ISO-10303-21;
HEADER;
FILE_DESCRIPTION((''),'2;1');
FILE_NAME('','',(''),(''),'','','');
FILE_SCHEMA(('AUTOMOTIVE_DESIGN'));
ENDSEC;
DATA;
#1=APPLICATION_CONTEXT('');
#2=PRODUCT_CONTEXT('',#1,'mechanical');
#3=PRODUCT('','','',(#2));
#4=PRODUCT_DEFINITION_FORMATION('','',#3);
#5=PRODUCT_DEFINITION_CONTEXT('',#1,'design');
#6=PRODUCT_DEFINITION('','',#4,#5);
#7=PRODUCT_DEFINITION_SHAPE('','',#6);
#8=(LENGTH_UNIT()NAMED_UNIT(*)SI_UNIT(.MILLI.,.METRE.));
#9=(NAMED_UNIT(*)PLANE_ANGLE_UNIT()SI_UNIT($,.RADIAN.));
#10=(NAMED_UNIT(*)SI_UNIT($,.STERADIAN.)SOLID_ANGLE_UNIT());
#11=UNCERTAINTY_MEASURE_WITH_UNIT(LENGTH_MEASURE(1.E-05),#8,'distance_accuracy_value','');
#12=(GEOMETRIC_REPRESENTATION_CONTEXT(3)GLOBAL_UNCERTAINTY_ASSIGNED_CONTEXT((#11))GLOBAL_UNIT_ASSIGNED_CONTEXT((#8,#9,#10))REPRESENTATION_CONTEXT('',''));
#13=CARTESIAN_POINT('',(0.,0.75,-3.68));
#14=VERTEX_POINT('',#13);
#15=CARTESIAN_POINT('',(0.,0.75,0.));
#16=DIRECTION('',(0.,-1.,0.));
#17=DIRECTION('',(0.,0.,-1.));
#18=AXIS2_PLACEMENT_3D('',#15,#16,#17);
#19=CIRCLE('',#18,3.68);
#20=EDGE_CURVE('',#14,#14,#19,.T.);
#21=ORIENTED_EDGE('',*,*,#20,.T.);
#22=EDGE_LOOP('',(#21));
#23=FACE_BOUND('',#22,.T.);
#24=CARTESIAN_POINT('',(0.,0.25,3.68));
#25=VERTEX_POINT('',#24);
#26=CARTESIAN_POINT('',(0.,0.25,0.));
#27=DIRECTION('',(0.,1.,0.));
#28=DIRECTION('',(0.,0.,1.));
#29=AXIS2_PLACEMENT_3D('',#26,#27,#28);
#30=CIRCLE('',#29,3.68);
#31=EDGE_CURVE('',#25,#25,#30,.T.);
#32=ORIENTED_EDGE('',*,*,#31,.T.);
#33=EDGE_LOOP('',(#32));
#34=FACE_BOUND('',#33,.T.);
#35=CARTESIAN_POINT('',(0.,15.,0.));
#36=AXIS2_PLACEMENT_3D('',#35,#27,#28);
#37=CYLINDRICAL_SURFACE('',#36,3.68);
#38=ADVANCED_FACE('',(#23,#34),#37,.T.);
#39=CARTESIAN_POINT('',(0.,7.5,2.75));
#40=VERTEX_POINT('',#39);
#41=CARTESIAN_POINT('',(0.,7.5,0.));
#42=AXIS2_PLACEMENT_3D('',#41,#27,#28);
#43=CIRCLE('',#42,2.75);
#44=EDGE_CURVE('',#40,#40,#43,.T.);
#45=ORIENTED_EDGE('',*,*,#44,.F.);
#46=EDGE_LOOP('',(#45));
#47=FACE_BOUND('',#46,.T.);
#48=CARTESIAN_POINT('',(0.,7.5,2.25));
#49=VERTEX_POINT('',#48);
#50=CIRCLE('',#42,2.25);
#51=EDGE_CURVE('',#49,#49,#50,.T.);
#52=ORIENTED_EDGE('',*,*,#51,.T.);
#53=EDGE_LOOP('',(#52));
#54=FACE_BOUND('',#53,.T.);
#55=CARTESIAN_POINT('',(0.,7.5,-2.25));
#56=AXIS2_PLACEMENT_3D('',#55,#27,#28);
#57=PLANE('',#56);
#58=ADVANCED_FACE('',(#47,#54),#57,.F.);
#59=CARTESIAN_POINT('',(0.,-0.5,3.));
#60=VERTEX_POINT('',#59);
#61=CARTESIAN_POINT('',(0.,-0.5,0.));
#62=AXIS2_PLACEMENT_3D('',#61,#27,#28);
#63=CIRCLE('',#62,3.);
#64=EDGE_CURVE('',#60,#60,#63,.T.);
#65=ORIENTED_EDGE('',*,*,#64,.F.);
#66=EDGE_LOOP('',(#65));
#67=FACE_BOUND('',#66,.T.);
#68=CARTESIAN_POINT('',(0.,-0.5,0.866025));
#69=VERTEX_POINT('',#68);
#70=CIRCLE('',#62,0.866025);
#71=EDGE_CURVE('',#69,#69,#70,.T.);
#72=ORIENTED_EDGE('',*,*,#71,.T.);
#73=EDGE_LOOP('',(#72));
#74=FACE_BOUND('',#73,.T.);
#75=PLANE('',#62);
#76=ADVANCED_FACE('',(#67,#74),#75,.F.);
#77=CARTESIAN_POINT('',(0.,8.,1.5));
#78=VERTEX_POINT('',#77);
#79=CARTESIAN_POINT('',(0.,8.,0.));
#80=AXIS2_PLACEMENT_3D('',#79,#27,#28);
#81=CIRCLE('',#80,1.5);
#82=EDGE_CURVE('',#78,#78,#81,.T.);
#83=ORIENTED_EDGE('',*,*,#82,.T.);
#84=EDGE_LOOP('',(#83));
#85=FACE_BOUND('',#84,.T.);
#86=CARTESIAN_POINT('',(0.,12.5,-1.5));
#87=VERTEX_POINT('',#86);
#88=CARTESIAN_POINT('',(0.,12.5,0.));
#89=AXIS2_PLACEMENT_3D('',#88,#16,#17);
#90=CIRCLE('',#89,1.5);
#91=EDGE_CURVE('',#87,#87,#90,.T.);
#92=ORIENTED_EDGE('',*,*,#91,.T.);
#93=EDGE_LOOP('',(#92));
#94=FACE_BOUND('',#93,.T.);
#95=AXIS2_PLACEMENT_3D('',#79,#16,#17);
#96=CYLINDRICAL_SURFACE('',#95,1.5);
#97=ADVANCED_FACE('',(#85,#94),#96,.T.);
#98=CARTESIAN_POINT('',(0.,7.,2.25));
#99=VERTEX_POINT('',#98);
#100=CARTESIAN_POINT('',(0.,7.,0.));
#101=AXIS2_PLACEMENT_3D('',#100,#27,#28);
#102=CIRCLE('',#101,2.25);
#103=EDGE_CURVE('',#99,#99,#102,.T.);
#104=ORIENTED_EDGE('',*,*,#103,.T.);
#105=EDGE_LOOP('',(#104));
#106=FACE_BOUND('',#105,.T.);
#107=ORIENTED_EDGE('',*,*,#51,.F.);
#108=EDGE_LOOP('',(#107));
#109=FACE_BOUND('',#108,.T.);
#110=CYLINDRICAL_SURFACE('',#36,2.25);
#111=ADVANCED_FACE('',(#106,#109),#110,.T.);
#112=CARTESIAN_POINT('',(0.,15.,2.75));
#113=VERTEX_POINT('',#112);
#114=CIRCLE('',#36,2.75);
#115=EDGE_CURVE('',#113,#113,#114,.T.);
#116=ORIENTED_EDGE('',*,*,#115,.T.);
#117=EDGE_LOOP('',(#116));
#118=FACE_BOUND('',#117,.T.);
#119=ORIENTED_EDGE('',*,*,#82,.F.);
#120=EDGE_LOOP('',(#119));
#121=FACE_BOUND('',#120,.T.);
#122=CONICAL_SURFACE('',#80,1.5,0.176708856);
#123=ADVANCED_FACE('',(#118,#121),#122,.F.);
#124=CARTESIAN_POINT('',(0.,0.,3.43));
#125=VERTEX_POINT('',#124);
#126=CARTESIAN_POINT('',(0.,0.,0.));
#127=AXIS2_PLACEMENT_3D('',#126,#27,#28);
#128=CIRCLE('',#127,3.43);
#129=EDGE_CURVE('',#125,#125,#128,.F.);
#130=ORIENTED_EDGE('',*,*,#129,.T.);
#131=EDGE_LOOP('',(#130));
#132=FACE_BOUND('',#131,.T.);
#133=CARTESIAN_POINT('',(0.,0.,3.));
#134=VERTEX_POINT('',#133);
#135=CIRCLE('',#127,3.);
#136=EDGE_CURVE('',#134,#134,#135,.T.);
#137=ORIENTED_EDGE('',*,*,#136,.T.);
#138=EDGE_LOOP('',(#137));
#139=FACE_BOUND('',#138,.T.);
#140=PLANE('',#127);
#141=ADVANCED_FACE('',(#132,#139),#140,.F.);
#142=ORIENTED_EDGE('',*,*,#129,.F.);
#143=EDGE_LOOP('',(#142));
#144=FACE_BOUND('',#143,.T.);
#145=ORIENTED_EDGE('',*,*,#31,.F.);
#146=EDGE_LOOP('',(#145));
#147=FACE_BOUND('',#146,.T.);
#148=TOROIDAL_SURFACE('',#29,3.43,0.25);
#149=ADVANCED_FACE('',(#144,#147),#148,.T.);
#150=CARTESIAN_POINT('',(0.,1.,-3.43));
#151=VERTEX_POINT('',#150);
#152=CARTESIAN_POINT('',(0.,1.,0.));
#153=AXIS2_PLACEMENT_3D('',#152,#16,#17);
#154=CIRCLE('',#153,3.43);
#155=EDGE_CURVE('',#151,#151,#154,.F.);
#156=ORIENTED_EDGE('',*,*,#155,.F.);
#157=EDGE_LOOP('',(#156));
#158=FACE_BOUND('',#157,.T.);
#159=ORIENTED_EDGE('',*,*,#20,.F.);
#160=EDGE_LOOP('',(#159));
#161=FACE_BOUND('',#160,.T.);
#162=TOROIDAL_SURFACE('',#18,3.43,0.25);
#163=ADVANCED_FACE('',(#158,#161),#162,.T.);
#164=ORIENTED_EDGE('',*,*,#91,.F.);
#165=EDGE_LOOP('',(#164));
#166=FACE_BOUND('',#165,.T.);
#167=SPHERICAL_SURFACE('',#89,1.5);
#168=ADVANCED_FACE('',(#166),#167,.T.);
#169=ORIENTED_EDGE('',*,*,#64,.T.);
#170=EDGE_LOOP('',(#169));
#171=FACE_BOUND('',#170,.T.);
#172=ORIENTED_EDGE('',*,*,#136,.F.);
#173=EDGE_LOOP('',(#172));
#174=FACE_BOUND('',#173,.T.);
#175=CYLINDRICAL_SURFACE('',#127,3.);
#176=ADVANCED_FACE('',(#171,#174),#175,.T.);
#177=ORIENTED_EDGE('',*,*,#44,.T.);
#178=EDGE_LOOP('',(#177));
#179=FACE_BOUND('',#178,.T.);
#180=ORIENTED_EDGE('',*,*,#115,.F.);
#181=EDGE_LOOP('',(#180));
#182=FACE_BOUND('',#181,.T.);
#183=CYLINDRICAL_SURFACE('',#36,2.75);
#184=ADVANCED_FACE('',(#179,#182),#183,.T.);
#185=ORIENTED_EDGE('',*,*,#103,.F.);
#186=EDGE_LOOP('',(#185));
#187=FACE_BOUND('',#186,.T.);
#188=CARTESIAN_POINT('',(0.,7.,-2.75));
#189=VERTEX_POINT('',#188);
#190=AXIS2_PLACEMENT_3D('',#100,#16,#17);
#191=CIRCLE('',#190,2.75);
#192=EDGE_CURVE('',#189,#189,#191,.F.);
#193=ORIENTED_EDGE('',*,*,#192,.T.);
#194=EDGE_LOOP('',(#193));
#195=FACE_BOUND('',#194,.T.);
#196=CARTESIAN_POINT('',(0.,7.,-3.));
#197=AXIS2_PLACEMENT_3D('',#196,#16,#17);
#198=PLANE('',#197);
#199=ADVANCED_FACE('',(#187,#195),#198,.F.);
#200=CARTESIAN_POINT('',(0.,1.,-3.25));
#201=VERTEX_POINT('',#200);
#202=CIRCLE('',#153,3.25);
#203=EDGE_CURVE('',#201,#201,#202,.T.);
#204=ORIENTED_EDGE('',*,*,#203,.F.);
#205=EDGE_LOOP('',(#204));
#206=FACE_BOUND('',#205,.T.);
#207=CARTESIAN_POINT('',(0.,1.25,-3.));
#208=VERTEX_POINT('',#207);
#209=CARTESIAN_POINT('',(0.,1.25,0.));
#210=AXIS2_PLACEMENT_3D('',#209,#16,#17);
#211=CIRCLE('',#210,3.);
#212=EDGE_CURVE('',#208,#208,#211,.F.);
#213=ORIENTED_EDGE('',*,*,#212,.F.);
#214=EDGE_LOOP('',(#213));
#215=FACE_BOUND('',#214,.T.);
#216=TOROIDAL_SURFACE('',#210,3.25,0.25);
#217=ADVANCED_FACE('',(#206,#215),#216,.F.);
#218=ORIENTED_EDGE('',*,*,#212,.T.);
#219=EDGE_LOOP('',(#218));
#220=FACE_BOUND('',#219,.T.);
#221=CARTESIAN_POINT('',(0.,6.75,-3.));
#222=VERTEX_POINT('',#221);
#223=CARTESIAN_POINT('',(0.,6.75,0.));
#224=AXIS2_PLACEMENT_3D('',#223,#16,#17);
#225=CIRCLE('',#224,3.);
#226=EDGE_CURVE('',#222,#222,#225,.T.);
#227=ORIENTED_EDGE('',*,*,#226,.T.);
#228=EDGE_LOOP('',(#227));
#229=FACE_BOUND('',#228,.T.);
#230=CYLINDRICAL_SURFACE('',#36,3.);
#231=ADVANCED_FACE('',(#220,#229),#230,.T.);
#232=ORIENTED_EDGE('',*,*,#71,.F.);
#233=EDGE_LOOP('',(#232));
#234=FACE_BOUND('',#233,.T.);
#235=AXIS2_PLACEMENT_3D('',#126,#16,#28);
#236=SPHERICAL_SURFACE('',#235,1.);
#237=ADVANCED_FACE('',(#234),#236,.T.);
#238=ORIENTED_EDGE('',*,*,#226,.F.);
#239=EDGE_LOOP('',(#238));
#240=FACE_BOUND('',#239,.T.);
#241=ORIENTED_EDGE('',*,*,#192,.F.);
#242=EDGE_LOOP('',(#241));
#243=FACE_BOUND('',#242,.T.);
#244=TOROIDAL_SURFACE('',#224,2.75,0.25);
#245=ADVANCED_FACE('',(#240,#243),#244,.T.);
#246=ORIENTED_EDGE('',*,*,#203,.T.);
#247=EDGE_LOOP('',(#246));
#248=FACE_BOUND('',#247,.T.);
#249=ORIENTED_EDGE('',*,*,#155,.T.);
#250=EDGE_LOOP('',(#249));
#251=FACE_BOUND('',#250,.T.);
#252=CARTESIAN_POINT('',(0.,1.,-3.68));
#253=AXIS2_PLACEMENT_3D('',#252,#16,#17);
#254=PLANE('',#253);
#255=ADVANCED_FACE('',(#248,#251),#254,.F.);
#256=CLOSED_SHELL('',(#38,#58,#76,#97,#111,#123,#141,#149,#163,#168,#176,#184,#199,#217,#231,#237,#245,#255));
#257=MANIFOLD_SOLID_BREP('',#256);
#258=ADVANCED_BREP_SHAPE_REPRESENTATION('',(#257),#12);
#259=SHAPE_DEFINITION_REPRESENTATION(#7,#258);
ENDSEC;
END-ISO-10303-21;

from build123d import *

# Parameters (mm, degrees)
SKETCH2_W = 3
SKETCH2_H = 0.5
FILLET1_R = 0.25


with BuildPart() as part:
    # Sketch1 → Revolve1 (revolve)
    with BuildSketch(Plane(origin=(0, 0, 0), x_dir=(0, 0, -1), z_dir=(1, 0, 0)), mode=Mode.PRIVATE) as revolve1_sk:
        Polygon((0, 0), (3.68, 0), (3.68, 1), (3, 1), (3, 7), (2.25, 7), (2.25, 7.5), (2.75, 7.5), (2.75, 15), (0, 15), align=None)
    revolve(revolve1_sk.sketch.rotate(Axis((0, 15, 0), (0, -1, 0)), 180), axis=Axis((0, 15, 0), (0, -1, 0)))

    # Sketch2 → Revolve2 (revolve)
    with BuildSketch(Plane(origin=(0, 0, 0), x_dir=(0, 0, -1), z_dir=(1, 0, 0)), mode=Mode.PRIVATE) as revolve2_sk:
        with Locations((1.5, -0.25)):
            Rectangle(SKETCH2_W, SKETCH2_H)
    revolve(revolve2_sk.sketch.rotate(Axis((0, 0, 0), (0, -1, 0)), 180), axis=Axis((0, 0, 0), (0, -1, 0)))

    # Sketch3 → Revolve3 (revolve)
    with BuildSketch(Plane(origin=(0, 0, 0), x_dir=(0, 0, -1), z_dir=(1, 0, 0))):
        with BuildLine():
            Line((0, -1), (0, 1))
            ThreePointArc((0, 1), (1, 0), (0, -1))
        make_face()
    revolve(axis=Axis((0, -1, 0), (0, 1, 0)))

    # Fillet1
    fillet1_edges = [part.edges().sort_by_distance(p)[0] for p in [
        (0, 1, -3.68),
        (0, 0, -3.68),
        (0, 7, -3),
        (0, 1, -3),
    ]]
    fillet(fillet1_edges, radius=FILLET1_R)

    # Sketch5 → Cut-Revolve1 (revolve, cut)
    with BuildSketch(Plane(origin=(0, 0, 0), x_dir=(0, 0, -1), z_dir=(1, 0, 0))):
        Polygon((0, 15), (0, 8), (1.5, 8), (2.75, 15), align=None)
    revolve(axis=Axis((0, 15, 0), (0, -1, 0)), mode=Mode.SUBTRACT)

    # Sketch6 → Revolve4 (revolve)
    with BuildSketch(Plane(origin=(0, 0, 0), x_dir=(0, 0, -1), z_dir=(1, 0, 0))):
        with BuildLine():
            Line((0, 8), (0, 12.5))
            Line((0, 12.5), (0, 14))
            ThreePointArc((0, 14), (1.060660172, 13.560660172), (1.5, 12.5))
            Line((1.5, 12.5), (1.5, 8))
            Line((1.5, 8), (0, 8))
        make_face()
    revolve(axis=Axis((0, 8, 0), (0, 1, 0)))


solid = part.part
